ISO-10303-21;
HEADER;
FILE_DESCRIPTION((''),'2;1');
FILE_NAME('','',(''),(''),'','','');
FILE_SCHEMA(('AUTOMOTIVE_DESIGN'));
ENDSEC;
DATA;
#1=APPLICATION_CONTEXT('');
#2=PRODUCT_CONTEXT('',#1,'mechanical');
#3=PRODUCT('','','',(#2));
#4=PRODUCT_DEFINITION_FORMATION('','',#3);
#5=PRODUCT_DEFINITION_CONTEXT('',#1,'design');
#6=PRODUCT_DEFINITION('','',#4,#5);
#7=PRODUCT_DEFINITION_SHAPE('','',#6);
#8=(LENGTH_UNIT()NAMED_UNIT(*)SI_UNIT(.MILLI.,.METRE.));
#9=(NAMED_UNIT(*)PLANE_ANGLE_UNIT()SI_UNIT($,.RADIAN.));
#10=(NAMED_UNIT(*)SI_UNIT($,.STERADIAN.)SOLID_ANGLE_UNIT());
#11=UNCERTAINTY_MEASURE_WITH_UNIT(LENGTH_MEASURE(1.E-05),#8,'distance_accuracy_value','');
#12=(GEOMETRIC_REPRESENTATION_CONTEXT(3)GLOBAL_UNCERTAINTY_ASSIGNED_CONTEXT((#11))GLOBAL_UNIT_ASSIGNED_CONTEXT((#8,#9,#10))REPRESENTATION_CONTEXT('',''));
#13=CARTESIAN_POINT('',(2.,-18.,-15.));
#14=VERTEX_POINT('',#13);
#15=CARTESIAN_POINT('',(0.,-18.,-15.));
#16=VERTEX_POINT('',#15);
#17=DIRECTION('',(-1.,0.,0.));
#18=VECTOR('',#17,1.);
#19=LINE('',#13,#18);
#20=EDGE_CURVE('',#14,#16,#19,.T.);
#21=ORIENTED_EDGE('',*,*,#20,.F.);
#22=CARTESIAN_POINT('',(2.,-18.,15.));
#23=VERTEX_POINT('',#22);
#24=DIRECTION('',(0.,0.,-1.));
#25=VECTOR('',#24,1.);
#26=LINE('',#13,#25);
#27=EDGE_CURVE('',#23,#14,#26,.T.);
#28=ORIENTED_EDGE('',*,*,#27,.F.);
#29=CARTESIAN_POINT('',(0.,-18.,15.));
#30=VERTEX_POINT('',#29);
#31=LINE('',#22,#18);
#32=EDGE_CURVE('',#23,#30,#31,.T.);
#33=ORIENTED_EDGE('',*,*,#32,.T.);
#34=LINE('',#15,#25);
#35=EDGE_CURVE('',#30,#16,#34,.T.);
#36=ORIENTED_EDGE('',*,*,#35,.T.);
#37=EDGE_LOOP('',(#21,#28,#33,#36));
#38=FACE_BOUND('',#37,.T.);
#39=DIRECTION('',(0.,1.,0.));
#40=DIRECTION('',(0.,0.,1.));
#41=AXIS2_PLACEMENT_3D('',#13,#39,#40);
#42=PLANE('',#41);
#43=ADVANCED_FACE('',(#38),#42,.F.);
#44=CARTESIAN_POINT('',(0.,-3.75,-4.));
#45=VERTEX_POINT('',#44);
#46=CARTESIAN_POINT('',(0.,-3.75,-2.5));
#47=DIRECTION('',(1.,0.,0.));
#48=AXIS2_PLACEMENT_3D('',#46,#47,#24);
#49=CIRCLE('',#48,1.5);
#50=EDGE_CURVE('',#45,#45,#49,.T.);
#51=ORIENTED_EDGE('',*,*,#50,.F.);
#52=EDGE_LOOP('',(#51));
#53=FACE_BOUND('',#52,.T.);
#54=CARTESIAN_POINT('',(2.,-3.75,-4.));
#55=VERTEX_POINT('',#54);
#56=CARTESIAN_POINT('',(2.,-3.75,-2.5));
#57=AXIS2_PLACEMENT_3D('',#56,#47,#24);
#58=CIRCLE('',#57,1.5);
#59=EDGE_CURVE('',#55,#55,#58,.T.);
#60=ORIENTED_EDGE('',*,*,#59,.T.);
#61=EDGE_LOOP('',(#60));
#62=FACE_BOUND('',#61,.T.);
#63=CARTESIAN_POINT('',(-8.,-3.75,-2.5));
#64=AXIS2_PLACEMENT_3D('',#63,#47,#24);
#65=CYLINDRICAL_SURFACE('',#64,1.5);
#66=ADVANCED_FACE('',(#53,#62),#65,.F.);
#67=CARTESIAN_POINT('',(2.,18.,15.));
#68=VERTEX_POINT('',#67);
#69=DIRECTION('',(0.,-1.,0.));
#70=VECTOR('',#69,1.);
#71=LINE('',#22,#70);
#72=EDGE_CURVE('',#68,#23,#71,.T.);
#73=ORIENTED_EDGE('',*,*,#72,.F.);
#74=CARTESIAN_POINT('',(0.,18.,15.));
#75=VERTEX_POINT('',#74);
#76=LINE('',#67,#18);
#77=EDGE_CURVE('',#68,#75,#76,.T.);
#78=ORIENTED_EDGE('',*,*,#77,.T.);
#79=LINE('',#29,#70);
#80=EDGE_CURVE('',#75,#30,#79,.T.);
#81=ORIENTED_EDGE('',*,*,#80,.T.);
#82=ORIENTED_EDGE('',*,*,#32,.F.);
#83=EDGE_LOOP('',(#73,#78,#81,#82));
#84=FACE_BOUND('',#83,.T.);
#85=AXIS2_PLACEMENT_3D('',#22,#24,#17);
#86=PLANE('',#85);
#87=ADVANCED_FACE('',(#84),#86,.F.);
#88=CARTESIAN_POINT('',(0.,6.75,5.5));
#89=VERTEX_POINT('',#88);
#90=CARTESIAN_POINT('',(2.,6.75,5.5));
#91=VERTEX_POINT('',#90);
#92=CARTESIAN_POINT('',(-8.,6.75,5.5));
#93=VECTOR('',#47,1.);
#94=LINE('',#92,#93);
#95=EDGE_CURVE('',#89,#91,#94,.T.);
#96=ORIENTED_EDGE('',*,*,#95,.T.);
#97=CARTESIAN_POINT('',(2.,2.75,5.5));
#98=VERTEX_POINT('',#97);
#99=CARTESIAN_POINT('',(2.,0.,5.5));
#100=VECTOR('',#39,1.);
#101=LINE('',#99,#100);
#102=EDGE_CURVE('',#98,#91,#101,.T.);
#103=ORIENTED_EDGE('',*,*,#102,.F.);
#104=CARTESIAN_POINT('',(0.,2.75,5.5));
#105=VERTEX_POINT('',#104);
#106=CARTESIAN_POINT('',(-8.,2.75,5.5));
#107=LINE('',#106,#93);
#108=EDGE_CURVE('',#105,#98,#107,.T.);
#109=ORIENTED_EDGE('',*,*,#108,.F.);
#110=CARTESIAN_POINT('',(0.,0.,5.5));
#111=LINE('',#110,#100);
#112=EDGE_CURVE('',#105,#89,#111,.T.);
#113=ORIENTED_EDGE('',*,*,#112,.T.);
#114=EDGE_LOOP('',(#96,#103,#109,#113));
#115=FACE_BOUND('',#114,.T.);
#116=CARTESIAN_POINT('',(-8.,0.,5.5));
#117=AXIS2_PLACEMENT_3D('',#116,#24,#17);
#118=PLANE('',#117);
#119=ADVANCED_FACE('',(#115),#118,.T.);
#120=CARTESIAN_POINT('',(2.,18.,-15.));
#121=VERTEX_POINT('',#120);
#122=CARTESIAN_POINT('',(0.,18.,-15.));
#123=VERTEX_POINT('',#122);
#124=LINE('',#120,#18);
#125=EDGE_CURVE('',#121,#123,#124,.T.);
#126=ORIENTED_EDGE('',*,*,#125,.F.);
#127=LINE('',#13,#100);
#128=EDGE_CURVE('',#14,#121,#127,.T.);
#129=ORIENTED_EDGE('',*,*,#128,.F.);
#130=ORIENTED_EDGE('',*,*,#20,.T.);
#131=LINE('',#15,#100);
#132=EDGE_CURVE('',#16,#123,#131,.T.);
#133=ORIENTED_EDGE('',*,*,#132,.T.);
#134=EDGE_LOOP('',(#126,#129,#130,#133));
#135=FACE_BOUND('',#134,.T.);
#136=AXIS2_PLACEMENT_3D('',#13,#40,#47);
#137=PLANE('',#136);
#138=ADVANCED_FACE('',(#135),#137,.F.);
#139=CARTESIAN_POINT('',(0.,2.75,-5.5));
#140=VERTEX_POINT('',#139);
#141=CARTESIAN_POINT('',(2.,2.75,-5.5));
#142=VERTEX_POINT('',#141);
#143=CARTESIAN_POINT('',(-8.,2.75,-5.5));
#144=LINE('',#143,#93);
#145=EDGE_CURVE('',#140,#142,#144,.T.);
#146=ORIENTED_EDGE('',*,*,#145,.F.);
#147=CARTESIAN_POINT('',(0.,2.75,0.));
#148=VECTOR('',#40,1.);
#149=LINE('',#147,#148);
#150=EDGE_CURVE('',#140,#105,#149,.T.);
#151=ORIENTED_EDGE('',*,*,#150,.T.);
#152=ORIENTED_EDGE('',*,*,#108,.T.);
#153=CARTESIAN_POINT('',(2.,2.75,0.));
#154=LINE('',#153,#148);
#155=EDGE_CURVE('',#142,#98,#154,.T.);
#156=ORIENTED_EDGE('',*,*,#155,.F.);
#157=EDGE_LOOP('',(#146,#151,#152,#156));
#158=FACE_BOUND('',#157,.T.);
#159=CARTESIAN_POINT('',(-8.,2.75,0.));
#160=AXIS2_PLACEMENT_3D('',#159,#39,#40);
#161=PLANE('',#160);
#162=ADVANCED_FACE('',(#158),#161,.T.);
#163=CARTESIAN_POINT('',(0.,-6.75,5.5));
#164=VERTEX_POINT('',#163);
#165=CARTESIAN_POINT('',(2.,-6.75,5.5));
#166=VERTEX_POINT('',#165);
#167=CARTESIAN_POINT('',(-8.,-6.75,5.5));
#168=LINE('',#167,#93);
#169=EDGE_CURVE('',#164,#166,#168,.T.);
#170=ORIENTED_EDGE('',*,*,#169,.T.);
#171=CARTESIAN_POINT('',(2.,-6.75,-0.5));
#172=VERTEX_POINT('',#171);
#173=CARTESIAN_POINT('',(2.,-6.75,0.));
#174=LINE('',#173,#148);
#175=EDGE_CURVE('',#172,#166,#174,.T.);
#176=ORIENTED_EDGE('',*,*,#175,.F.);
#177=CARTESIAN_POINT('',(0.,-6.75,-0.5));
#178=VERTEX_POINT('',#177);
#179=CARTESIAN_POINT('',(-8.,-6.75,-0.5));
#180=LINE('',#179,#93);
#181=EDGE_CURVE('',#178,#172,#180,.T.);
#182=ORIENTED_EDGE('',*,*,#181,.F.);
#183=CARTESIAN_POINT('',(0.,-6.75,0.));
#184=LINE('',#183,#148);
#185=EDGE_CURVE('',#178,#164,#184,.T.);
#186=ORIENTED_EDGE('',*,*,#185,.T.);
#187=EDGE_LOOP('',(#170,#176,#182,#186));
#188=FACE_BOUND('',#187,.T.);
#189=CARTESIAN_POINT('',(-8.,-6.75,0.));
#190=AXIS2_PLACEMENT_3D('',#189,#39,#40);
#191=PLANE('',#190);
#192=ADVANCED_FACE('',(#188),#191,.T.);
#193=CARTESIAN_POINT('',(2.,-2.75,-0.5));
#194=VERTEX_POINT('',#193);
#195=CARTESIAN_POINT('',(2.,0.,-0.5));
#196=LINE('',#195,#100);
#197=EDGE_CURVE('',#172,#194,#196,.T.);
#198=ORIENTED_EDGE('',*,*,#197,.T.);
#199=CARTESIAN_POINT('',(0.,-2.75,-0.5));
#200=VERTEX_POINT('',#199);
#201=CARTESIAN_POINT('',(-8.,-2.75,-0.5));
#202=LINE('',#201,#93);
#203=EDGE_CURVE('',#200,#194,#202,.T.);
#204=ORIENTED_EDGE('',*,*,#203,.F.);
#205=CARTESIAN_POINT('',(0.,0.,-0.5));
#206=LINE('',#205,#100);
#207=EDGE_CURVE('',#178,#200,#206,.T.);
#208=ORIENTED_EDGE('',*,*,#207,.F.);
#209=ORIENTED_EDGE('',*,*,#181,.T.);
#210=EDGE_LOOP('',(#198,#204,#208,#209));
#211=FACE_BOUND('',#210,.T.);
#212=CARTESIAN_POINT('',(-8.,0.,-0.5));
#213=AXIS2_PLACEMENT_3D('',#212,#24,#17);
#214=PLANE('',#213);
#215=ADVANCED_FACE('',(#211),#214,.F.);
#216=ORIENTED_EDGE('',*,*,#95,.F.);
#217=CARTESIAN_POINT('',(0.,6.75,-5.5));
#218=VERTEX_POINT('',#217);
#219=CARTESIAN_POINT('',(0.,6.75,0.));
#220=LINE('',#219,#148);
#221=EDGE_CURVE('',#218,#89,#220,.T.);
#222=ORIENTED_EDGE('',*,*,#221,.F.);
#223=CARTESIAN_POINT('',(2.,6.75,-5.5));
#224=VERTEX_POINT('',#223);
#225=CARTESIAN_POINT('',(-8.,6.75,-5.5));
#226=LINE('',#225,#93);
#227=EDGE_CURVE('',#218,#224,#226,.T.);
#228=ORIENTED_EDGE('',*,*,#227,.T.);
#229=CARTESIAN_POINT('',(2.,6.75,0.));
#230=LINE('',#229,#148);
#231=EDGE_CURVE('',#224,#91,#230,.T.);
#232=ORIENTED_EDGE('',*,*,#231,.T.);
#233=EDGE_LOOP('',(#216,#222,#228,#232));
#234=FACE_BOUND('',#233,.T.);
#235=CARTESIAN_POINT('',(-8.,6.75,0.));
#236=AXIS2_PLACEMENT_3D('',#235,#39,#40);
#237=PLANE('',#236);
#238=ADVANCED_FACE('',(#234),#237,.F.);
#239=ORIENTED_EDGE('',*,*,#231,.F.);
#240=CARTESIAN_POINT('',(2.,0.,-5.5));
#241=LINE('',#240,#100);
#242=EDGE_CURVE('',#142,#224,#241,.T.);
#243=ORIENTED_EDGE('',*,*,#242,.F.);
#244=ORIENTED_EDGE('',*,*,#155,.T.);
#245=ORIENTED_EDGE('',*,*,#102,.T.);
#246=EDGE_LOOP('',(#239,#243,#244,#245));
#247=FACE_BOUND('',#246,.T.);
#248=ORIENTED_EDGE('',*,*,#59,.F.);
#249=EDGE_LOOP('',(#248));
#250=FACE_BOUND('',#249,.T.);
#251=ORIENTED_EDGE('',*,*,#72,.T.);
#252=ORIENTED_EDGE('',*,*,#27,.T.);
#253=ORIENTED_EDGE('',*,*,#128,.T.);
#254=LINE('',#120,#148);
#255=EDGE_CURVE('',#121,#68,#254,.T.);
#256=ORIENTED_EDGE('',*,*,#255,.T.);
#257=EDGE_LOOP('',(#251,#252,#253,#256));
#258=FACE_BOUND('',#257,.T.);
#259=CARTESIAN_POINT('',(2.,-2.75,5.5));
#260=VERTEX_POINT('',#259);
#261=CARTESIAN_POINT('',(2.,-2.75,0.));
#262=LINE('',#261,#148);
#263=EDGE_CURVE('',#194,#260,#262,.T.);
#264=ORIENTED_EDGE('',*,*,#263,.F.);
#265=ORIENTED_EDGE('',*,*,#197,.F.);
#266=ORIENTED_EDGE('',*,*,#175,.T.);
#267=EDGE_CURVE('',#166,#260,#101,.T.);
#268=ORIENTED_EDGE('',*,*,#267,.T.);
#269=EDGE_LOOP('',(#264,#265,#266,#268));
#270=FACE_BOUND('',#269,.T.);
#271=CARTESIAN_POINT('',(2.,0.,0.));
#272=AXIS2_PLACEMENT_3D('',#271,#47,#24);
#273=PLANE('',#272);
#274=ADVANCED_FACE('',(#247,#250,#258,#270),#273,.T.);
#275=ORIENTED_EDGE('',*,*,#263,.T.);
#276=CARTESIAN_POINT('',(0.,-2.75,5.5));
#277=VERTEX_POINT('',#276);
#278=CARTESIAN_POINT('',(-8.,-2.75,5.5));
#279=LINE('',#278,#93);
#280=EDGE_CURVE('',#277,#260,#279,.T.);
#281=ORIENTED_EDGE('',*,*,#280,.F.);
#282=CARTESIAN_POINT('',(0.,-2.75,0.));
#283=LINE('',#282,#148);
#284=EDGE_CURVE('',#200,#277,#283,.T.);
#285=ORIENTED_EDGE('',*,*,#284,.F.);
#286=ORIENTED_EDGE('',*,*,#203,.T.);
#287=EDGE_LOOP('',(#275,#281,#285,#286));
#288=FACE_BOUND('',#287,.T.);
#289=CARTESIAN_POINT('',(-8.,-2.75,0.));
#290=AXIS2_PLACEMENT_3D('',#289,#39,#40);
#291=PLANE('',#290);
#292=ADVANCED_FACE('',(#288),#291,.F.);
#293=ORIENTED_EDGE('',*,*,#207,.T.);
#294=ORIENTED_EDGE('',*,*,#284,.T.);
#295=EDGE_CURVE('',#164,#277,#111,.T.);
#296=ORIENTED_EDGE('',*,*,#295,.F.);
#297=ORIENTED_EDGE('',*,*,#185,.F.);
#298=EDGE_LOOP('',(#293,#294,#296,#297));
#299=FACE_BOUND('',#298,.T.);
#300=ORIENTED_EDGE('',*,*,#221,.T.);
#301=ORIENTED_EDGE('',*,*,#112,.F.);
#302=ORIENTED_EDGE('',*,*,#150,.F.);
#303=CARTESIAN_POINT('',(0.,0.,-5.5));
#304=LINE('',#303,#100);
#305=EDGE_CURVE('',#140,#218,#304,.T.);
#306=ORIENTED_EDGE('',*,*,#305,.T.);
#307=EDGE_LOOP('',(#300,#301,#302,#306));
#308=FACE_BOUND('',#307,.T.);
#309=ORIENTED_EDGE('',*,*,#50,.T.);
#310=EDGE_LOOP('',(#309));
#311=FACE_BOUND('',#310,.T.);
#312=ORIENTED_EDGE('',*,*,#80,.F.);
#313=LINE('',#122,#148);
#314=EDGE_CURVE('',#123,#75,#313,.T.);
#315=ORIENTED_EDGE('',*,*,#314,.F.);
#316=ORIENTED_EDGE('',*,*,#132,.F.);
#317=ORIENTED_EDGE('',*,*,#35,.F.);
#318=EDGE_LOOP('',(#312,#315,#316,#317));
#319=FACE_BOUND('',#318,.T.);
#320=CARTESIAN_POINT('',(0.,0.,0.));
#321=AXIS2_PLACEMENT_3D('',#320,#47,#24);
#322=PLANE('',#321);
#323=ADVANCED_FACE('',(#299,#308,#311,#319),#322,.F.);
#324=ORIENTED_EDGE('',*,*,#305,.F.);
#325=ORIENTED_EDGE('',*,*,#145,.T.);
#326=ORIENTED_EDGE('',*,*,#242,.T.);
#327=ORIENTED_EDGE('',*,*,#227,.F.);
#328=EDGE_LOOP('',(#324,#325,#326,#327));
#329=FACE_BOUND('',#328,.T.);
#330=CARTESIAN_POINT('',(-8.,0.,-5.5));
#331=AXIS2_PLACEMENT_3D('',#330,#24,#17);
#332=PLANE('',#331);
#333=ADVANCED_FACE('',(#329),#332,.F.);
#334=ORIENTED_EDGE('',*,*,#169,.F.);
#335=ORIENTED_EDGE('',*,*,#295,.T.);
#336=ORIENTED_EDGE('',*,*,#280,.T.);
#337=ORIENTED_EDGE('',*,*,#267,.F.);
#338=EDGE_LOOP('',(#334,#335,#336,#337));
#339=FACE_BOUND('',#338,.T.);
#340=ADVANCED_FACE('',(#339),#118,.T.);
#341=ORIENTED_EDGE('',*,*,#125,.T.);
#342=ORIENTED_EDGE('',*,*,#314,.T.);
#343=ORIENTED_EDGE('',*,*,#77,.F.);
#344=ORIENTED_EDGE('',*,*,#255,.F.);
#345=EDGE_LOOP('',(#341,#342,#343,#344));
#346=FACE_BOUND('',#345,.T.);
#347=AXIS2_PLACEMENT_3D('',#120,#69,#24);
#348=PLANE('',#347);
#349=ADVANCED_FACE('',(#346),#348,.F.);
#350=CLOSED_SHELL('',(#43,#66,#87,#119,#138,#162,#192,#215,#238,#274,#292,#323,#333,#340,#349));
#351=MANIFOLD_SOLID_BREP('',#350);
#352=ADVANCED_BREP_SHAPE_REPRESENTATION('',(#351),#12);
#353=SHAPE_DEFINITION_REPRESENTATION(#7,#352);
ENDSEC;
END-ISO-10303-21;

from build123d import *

# Parameters (mm, degrees)
SKETCH1_W           = 30
SKETCH1_H           = 36
BOSS_EXTRUDE1_DEPTH = 2
SKETCH2_W           = 11
SKETCH2_H           = 4
SKETCH2_W_2         = 6
SKETCH2_R           = 1.5
CUT_EXTRUDE2_DEPTH  = 10


with BuildPart() as part:
    # Sketch1 → Boss-Extrude1 (new body)
    with BuildSketch(Plane(origin=(0, 0, 0), x_dir=(0, 0, -1), z_dir=(1, 0, 0))):
        Rectangle(SKETCH1_W, SKETCH1_H)
    extrude(amount=BOSS_EXTRUDE1_DEPTH)

    # Sketch2 → Cut-Extrude2 (cut)
    with BuildSketch(Plane(origin=(2, 0, 0), x_dir=(0, 0, -1), z_dir=(1, 0, 0))):
        with Locations((0, 4.75)):
            Rectangle(SKETCH2_W, SKETCH2_H)
        with Locations((-2.5, -4.75)):
            Rectangle(SKETCH2_W_2, SKETCH2_H)
        with Locations((2.5, -3.75)):
            Circle(SKETCH2_R)
    extrude(amount=-CUT_EXTRUDE2_DEPTH, mode=Mode.SUBTRACT)


solid = part.part
